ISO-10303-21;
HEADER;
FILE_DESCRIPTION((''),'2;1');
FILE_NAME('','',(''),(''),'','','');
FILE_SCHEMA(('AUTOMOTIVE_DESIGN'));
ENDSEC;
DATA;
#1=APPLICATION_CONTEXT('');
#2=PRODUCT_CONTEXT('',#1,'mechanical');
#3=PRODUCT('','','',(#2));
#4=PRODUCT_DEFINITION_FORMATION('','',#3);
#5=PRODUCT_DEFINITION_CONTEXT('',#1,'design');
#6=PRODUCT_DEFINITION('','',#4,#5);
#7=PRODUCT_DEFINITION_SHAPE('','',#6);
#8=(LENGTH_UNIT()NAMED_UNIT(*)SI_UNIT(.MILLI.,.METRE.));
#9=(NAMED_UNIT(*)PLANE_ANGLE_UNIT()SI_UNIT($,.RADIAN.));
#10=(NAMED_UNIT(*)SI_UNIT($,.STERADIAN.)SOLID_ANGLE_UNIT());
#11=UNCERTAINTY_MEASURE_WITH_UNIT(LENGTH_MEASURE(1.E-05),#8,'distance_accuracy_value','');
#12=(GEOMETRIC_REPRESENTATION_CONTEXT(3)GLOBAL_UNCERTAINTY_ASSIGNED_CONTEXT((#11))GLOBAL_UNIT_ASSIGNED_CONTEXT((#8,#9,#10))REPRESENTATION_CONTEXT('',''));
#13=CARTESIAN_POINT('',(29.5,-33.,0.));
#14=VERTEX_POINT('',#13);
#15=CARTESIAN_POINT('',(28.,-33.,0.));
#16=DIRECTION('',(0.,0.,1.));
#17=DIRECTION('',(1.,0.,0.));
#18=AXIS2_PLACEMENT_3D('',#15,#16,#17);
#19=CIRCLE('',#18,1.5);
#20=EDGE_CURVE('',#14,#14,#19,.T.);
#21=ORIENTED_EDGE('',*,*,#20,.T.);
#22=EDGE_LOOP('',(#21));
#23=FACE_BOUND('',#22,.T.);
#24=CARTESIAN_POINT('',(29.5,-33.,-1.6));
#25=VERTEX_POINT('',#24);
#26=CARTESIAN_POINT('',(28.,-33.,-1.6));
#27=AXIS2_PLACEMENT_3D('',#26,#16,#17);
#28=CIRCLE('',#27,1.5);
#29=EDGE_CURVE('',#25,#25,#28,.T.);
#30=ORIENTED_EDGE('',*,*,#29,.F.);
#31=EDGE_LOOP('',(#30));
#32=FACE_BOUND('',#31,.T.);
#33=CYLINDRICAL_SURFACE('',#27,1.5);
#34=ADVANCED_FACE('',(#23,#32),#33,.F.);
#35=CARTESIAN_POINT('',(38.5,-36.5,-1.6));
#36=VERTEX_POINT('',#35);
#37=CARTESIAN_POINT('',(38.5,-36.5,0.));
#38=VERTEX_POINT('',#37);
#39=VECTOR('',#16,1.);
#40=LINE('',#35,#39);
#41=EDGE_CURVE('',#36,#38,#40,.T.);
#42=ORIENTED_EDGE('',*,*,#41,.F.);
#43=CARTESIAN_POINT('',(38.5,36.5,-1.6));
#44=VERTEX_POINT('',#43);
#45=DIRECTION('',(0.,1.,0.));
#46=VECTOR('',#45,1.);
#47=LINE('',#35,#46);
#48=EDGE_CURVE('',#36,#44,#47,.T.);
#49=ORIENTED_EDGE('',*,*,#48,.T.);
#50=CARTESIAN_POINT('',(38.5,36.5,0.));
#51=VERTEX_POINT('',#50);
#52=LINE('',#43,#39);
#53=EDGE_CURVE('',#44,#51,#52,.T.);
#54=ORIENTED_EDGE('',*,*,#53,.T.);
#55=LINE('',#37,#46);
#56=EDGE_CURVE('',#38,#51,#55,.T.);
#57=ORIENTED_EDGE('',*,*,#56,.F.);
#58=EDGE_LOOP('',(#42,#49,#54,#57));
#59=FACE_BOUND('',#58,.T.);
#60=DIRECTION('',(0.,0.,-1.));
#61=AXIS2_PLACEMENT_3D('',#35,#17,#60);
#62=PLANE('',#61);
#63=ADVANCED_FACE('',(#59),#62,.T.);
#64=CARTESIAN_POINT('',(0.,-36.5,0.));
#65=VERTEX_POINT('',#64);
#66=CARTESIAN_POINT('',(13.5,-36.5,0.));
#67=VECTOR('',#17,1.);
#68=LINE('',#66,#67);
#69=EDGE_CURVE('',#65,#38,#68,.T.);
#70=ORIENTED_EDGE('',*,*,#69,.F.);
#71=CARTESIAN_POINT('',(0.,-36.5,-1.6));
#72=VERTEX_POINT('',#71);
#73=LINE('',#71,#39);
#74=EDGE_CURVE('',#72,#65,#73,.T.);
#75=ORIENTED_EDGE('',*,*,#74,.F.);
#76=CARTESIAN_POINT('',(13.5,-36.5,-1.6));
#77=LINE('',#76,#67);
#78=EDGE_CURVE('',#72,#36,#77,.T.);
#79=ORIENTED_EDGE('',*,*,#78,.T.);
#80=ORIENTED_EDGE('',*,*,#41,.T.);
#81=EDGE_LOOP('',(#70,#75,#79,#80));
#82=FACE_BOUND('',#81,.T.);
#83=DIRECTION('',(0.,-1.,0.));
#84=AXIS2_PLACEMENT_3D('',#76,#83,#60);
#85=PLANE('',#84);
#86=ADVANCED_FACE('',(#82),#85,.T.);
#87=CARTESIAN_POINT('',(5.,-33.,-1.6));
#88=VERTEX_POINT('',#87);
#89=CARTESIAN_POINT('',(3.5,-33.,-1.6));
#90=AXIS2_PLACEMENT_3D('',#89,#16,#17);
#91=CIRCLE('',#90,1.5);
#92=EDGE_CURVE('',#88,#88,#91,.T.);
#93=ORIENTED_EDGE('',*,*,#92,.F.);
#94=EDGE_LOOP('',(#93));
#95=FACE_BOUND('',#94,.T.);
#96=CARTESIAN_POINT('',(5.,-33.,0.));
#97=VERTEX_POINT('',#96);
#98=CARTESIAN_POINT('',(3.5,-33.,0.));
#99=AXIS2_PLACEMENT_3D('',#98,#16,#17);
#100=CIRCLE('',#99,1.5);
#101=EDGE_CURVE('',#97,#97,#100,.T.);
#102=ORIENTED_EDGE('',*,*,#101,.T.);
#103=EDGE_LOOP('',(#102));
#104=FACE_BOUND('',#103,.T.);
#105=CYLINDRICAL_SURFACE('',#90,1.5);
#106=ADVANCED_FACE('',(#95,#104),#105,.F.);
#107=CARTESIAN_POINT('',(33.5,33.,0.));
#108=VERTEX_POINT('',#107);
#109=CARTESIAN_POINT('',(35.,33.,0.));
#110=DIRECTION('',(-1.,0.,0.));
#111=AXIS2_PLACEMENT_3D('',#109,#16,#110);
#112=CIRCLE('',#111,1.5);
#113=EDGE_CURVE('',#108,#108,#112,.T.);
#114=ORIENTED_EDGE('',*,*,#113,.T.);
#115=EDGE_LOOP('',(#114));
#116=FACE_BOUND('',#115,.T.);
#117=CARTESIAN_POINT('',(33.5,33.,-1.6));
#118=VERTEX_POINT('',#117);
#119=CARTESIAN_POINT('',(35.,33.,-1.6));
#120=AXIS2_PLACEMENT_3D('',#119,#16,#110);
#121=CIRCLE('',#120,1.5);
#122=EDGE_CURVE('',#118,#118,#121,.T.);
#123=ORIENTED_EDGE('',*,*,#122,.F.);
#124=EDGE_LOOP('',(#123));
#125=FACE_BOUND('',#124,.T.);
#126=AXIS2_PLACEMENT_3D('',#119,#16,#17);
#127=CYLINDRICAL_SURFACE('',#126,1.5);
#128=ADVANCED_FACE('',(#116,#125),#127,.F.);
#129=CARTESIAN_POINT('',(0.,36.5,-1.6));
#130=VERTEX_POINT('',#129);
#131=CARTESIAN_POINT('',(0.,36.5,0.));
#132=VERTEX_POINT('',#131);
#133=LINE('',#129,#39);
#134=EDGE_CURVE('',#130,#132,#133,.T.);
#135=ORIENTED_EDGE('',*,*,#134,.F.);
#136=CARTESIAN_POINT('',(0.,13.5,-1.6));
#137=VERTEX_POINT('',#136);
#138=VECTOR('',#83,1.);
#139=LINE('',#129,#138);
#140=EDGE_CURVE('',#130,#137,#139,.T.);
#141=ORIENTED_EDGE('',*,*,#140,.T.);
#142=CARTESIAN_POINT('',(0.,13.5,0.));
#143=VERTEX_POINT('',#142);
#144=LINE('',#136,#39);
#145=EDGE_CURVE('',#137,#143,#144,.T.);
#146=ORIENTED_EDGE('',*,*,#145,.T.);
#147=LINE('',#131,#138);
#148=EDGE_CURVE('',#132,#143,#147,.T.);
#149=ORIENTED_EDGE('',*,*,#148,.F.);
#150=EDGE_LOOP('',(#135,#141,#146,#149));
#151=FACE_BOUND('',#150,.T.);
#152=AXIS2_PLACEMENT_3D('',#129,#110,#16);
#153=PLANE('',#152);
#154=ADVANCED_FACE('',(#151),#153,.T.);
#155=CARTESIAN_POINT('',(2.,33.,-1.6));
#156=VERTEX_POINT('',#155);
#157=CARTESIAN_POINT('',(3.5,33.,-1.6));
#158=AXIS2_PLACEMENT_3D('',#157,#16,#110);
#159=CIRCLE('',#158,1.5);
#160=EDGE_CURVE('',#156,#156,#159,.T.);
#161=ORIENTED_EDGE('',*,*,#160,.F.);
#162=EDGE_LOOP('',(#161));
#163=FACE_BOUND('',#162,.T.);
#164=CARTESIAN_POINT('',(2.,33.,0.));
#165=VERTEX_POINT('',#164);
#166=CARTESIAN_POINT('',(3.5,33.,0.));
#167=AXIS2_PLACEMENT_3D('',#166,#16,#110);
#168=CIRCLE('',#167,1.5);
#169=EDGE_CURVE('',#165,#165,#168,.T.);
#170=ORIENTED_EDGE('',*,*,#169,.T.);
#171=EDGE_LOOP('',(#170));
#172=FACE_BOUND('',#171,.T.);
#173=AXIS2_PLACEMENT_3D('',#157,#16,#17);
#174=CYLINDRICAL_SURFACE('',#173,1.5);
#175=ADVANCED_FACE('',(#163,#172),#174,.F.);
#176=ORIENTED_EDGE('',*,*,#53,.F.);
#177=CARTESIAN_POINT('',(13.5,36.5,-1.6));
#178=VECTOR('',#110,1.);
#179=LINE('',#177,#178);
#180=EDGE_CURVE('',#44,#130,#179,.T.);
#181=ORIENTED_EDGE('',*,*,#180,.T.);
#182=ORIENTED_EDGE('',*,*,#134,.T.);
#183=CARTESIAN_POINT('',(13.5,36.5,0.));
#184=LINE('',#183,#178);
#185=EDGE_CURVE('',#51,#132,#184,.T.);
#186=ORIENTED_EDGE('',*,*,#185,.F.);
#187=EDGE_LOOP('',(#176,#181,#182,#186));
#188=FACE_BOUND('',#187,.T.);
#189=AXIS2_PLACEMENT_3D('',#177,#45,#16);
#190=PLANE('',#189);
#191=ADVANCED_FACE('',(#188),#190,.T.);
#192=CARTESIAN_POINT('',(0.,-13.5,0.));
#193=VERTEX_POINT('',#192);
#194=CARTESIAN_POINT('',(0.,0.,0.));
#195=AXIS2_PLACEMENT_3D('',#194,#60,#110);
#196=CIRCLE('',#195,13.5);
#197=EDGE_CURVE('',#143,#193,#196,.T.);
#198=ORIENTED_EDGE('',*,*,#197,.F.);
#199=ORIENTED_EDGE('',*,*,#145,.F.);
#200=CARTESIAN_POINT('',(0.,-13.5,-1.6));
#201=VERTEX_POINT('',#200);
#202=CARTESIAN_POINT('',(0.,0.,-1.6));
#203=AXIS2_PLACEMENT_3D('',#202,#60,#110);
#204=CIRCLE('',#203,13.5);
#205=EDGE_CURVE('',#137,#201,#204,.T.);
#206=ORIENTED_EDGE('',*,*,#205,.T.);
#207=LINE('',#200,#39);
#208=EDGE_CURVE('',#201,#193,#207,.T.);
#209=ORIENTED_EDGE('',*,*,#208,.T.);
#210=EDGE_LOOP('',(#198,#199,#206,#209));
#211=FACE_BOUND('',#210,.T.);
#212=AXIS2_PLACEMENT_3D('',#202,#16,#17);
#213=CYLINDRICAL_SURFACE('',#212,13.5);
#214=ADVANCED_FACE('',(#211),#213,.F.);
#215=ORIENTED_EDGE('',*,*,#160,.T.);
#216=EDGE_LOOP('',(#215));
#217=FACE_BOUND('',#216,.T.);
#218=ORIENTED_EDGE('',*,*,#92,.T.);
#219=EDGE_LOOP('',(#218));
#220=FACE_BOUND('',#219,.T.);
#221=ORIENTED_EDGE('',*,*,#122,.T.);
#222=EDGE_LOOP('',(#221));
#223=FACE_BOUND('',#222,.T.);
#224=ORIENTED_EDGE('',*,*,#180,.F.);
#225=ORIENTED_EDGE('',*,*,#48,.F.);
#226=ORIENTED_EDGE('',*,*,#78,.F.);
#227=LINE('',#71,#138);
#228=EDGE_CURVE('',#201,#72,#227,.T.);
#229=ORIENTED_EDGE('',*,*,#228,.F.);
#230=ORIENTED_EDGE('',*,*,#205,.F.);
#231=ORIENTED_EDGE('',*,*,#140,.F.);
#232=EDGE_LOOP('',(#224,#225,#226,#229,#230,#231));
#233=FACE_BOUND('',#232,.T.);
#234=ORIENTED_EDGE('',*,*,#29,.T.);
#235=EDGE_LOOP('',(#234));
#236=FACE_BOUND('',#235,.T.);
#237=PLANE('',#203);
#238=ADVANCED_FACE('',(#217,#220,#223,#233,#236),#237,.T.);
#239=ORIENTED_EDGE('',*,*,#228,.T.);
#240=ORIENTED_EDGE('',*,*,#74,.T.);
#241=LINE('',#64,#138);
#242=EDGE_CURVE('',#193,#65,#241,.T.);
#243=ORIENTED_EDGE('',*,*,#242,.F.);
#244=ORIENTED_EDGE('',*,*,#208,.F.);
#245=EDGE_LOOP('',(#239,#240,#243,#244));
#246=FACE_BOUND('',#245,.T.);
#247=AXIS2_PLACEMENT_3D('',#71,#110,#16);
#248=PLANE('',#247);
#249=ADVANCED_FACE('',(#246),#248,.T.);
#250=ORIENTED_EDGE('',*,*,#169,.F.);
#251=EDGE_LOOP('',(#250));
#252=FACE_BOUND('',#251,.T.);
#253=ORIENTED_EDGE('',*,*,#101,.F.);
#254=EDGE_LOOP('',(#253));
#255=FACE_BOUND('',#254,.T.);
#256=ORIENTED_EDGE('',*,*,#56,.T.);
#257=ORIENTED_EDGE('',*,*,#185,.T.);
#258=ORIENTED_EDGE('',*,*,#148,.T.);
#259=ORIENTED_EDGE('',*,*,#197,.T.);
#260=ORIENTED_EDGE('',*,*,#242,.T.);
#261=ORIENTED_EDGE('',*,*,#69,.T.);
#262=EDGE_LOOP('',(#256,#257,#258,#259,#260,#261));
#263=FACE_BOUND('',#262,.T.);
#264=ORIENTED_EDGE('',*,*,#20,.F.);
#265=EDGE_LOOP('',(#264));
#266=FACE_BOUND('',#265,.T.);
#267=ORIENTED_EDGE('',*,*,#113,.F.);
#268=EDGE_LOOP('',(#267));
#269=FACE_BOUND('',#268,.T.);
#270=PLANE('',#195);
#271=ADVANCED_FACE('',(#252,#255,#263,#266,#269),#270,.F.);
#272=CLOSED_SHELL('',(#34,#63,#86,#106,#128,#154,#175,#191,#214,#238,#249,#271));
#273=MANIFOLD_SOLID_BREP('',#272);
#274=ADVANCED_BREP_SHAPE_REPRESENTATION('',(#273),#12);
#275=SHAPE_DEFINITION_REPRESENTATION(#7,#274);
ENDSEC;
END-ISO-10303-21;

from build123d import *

# Parameters (mm, degrees)
BOSS_EXTRUDE1_DEPTH = 1.6
SKETCH4_R           = 1.5
CUT_EXTRUDE1_DEPTH  = 54.075983269


with BuildPart() as part:
    # Sketch3 → Boss-Extrude1 (new body)
    with BuildSketch(Plane.XY):
        with BuildLine():
            Line((13.5, 36.5), (38.5, 36.5))
            Line((38.5, 36.5), (38.5, -36.5))
            Line((38.5, -36.5), (13.5, -36.5))
            Line((13.5, -36.5), (0, -36.5))
            Line((0, -36.5), (0, -13.5))
            ThreePointArc((0, -13.5), (13.5, 0), (0, 13.5))
            Line((0, 13.5), (0, 36.5))
            Line((0, 36.5), (13.5, 36.5))
        make_face()
    extrude(amount=-BOSS_EXTRUDE1_DEPTH)

    # Sketch4 → Cut-Extrude1 (cut, through all)
    with BuildSketch(Plane.XY):
        with Locations(Location((35, 33, 0), (0, 0, 180))):
            Circle(SKETCH4_R)
        with Locations((3.5, -33)):
            Circle(SKETCH4_R)
        with Locations(Location((3.5, 33, 0), (0, 0, 180))):
            Circle(SKETCH4_R)
        with Locations((28, -33)):
            Circle(SKETCH4_R)
    extrude(amount=-CUT_EXTRUDE1_DEPTH, mode=Mode.SUBTRACT)


solid = part.part
